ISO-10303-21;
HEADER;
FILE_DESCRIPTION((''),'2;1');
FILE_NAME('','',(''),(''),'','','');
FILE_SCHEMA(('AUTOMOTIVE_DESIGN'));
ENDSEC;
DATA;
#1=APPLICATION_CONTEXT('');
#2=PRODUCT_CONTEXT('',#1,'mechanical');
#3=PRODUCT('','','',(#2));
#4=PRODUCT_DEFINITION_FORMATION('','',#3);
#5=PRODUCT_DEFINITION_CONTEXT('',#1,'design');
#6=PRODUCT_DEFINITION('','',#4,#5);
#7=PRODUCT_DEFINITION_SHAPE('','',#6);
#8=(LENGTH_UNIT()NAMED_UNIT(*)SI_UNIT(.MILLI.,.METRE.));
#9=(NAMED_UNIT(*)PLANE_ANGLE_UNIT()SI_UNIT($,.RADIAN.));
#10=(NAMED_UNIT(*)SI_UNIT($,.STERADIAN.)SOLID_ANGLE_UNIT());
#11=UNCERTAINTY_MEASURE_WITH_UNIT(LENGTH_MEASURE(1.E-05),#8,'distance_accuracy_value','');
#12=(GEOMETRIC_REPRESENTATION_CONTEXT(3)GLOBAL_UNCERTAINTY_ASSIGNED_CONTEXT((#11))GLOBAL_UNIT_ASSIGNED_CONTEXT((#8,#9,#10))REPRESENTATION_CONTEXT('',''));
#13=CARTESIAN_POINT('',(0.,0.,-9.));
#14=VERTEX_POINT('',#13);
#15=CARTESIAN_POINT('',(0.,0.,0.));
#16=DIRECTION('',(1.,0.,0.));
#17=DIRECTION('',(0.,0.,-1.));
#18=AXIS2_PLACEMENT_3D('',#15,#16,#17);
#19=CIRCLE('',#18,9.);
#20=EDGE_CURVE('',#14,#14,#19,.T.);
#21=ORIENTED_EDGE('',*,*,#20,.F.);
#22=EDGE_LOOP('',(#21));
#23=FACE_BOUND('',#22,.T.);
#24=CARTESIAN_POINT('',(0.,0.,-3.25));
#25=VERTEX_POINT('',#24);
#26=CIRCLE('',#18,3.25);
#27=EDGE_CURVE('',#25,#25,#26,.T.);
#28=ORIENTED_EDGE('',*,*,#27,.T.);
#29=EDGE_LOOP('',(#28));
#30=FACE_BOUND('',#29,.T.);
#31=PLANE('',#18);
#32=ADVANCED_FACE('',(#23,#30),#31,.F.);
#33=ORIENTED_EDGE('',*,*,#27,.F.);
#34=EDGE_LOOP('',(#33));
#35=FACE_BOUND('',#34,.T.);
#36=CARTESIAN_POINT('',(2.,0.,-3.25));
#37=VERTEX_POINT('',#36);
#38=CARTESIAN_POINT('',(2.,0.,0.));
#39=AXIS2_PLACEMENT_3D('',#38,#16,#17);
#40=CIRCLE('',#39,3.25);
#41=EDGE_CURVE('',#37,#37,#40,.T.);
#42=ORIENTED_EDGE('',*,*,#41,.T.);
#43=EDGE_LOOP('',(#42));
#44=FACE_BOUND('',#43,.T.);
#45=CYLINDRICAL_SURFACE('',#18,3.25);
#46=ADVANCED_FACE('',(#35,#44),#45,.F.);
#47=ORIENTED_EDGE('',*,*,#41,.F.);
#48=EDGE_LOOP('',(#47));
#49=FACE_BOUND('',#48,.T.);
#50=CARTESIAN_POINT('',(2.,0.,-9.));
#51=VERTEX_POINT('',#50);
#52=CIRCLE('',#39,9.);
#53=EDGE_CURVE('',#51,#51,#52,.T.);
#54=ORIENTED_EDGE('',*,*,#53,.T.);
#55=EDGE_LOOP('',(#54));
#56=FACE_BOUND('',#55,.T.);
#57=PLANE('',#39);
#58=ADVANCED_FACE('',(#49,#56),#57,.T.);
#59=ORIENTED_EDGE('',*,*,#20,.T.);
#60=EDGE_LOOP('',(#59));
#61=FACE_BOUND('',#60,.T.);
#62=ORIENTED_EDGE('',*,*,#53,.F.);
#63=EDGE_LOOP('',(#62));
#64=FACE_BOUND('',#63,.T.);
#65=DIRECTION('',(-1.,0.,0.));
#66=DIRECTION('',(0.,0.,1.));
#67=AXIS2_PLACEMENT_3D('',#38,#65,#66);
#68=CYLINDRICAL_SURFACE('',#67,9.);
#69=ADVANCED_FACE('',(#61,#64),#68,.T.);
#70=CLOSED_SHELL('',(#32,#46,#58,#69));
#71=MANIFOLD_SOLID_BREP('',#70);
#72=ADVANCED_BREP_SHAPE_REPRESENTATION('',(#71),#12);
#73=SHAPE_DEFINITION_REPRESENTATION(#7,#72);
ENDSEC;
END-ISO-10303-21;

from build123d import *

# Parameters (mm, degrees)
SKETCH1_R           = 9
BOSS_EXTRUDE1_DEPTH = 2
SKETCH2_R           = 3.25
CUT_EXTRUDE1_DEPTH  = 3


with BuildPart() as part:
    # Sketch1 → Boss-Extrude1 (new body)
    with BuildSketch(Plane(origin=(0, 0, 0), x_dir=(0, 0, -1), z_dir=(1, 0, 0))):
        Circle(SKETCH1_R)
    extrude(amount=BOSS_EXTRUDE1_DEPTH)

    # Sketch2 → Cut-Extrude1 (cut, through all)
    with BuildSketch(Plane(origin=(2, 0, 0), x_dir=(0, 0, -1), z_dir=(1, 0, 0))):
        Circle(SKETCH2_R)
    extrude(amount=-CUT_EXTRUDE1_DEPTH, mode=Mode.SUBTRACT)


solid = part.part
